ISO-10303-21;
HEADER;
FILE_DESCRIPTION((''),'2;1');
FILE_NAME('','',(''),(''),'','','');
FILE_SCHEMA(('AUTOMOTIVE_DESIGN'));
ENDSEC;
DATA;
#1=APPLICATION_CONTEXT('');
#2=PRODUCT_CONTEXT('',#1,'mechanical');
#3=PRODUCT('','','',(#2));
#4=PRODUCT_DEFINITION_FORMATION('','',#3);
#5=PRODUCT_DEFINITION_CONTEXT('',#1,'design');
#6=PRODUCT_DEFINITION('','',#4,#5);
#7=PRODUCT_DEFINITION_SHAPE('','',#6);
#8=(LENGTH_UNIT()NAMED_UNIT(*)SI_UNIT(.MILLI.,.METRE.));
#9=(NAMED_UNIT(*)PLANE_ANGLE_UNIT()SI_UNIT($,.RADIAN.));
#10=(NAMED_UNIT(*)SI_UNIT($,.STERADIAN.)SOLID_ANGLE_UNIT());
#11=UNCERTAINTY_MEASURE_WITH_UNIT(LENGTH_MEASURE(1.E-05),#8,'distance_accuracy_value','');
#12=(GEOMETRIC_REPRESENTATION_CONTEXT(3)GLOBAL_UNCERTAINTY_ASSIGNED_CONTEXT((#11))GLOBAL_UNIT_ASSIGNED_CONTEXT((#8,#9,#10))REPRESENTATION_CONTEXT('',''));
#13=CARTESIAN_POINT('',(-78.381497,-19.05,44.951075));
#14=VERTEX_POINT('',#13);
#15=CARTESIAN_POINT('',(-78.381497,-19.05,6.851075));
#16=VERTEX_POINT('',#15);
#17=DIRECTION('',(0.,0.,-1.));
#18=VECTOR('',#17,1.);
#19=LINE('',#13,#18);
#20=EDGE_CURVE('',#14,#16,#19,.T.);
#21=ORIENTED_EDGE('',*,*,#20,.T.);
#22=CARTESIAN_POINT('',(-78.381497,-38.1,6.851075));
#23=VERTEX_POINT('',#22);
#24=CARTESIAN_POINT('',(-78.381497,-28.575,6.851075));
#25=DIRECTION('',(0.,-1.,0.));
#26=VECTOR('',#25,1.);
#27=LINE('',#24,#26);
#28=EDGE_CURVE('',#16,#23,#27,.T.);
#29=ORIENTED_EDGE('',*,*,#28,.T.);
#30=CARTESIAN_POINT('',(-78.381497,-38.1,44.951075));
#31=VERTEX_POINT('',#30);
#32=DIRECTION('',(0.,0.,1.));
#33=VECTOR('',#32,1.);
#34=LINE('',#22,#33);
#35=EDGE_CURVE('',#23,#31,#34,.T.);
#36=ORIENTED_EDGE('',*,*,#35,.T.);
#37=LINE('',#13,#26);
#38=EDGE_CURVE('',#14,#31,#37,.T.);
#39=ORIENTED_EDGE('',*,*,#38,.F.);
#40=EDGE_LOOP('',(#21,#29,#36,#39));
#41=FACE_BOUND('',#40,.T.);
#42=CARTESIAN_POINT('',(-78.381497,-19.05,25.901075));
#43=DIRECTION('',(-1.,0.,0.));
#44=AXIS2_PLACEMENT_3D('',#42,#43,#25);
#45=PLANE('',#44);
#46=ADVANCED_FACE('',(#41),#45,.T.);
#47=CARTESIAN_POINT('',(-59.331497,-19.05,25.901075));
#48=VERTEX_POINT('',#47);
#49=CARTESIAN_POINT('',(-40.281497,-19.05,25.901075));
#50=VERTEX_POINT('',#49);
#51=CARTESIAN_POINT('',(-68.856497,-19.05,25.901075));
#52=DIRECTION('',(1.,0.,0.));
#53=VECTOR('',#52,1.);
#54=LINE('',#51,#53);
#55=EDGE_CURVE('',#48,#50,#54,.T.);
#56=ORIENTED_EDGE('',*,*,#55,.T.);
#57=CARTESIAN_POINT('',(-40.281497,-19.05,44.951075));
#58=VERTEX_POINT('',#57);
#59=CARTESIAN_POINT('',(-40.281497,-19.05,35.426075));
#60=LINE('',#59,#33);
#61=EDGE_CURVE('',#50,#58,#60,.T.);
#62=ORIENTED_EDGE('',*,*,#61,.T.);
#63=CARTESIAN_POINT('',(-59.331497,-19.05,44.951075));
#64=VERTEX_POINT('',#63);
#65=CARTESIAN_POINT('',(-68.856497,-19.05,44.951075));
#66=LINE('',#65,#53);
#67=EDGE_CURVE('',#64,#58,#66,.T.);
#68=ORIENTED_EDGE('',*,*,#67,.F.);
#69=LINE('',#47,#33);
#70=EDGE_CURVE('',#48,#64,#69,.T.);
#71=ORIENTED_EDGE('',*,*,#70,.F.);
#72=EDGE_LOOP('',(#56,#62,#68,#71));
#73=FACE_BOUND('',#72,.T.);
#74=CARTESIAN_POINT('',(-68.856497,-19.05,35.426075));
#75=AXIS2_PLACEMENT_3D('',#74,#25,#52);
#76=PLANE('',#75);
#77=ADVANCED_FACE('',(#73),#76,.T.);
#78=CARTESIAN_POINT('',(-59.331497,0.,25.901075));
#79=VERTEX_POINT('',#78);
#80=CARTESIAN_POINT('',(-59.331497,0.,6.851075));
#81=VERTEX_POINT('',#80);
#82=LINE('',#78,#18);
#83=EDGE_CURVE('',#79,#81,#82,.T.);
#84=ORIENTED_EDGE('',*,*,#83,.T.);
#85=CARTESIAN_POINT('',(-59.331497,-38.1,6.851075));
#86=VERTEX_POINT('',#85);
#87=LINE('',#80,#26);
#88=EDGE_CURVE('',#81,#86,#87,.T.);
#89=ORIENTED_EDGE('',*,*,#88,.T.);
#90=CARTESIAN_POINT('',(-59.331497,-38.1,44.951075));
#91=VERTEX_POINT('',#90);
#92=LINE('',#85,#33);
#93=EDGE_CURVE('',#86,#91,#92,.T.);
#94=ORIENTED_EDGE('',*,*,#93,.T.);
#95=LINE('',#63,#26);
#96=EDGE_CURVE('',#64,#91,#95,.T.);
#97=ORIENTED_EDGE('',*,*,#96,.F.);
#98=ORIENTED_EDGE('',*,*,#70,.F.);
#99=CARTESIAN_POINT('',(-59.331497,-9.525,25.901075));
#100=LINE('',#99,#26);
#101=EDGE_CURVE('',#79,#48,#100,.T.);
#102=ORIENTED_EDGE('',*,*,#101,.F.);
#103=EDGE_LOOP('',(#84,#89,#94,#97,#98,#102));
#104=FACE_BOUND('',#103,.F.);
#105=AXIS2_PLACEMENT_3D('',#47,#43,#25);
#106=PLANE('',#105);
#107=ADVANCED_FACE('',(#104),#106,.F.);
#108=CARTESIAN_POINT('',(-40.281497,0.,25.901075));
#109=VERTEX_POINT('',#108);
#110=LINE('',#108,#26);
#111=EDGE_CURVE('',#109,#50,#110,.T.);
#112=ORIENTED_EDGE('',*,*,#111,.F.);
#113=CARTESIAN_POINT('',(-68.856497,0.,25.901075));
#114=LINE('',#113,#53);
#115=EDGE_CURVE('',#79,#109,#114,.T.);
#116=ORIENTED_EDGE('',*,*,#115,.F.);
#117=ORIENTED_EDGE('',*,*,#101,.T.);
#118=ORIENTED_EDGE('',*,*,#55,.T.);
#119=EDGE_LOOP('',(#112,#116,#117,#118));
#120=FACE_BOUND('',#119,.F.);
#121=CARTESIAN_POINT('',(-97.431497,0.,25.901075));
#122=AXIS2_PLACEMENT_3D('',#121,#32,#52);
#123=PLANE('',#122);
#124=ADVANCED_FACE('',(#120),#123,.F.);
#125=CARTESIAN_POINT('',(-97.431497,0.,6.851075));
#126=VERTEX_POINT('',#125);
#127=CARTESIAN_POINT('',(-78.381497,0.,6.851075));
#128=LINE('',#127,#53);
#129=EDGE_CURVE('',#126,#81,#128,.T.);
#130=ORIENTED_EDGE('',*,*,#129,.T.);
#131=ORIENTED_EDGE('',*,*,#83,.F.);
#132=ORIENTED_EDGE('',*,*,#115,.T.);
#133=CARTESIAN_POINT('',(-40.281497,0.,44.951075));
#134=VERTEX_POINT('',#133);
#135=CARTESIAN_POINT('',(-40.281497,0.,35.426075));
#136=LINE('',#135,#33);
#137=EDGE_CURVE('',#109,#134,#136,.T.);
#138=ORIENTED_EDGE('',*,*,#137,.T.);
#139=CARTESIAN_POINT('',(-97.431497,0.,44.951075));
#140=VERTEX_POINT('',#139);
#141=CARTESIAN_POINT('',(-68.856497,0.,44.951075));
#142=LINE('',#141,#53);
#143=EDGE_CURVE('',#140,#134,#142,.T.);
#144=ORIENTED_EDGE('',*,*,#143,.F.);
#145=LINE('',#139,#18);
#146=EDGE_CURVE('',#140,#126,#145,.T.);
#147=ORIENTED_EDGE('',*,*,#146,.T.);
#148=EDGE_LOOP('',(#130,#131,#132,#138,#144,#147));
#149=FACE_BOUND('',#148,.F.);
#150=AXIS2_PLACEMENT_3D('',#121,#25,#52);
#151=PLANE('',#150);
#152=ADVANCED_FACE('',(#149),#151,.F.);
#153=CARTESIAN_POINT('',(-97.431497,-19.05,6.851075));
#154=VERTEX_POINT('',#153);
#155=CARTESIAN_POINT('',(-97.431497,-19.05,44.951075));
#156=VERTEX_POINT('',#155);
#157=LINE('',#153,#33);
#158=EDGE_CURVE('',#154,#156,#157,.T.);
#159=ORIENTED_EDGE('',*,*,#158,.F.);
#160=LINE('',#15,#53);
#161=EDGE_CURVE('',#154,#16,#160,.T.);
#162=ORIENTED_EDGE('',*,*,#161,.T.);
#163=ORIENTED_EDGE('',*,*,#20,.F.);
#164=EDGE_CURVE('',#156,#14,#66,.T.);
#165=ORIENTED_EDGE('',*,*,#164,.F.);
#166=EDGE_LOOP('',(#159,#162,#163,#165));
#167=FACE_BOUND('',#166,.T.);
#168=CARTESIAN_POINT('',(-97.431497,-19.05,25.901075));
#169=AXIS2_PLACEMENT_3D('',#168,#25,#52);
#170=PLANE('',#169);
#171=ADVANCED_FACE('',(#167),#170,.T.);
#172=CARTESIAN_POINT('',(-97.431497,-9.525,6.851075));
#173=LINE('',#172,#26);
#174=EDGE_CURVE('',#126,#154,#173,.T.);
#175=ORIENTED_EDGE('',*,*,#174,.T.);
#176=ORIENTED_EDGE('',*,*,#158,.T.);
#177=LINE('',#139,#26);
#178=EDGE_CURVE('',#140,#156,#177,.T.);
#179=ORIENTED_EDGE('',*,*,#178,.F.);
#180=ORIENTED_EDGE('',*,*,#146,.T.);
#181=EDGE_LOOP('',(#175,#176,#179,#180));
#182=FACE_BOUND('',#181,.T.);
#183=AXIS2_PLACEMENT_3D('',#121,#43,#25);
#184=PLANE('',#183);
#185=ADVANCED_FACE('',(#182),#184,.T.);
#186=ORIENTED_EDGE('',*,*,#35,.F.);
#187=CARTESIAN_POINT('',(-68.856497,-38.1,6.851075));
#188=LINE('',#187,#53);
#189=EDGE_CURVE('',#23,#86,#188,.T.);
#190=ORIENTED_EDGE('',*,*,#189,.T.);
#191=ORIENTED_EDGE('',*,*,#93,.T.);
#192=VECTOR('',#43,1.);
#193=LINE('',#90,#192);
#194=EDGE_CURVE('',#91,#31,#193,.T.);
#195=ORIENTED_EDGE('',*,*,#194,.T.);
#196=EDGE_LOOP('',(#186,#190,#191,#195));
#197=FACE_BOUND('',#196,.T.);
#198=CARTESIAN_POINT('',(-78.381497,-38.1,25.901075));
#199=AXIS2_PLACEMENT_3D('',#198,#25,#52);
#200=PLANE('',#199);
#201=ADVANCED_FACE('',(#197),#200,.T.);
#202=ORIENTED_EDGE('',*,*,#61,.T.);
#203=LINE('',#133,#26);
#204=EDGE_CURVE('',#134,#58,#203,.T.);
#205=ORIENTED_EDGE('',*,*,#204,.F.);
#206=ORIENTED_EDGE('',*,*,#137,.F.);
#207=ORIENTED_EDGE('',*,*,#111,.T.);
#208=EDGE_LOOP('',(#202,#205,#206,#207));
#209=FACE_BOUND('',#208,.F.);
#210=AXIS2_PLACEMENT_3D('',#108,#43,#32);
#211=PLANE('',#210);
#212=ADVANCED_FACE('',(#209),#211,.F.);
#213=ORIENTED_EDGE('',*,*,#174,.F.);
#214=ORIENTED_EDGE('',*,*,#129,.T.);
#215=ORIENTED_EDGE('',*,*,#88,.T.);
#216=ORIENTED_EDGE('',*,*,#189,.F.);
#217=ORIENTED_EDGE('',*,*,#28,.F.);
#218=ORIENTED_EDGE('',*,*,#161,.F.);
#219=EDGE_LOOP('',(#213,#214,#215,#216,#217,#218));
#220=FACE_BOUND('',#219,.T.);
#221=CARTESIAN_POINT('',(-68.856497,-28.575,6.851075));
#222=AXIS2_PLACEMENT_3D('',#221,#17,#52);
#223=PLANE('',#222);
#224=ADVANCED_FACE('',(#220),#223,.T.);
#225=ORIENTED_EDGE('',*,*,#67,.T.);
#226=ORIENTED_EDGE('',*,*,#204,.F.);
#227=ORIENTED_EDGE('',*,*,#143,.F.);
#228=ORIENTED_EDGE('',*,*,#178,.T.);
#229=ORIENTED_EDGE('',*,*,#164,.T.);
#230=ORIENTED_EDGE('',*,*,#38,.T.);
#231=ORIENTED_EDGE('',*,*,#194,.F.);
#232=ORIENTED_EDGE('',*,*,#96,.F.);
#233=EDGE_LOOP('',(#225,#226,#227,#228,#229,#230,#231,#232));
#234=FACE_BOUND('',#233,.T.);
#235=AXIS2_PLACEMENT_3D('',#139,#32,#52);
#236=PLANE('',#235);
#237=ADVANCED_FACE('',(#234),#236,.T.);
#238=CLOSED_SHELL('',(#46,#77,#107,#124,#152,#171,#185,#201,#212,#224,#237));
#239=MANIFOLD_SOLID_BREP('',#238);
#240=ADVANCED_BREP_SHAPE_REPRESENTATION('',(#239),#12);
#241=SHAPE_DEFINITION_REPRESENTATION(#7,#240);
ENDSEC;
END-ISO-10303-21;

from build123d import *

# Parameters (mm, degrees)
F0_W     = 57.15
F0_H     = 19.05
F1_DEPTH = 19.05
F3_DEPTH = 19.05
F4_W     = 38.1
F4_H     = 19.05
F5_DEPTH = 19.05
F6_W     = 19.05
F6_H     = 19.05
F7_DEPTH = 19.05


with BuildPart() as f1:
    # F0 (on Front) → F1 (new body)
    with BuildSketch(Plane.XZ):
        with Locations((-68.856497, 35.426075)):
            Rectangle(F0_W, F0_H)
    extrude(amount=F1_DEPTH)

    # F2 (on face) → F3 (join)
    with BuildSketch(Plane.XZ.offset(19.05)):
        Polygon((-59.331497, 44.951075), (-78.381497, 44.951075), (-78.381497, 25.901075), (-59.331497, 25.901075), (-59.331497, 35.426075), align=None)
    extrude(amount=F3_DEPTH)

    # F4 (on face) → F5 (join)
    with BuildSketch(Plane(origin=(0, 0, 25.901075), x_dir=(1, 0, 0), z_dir=(0, 0, -1))):
        with Locations((-78.381497, 9.525)):
            Rectangle(F4_W, F4_H)
    extrude(amount=F5_DEPTH)

    # F6 (on face) → F7 (join)
    with BuildSketch(Plane(origin=(0, 0, 25.901075), x_dir=(1, 0, 0), z_dir=(0, 0, -1))):
        with Locations((-68.856497, 28.575)):
            Rectangle(F6_W, F6_H)
    extrude(amount=F7_DEPTH)


solid = f1.part
